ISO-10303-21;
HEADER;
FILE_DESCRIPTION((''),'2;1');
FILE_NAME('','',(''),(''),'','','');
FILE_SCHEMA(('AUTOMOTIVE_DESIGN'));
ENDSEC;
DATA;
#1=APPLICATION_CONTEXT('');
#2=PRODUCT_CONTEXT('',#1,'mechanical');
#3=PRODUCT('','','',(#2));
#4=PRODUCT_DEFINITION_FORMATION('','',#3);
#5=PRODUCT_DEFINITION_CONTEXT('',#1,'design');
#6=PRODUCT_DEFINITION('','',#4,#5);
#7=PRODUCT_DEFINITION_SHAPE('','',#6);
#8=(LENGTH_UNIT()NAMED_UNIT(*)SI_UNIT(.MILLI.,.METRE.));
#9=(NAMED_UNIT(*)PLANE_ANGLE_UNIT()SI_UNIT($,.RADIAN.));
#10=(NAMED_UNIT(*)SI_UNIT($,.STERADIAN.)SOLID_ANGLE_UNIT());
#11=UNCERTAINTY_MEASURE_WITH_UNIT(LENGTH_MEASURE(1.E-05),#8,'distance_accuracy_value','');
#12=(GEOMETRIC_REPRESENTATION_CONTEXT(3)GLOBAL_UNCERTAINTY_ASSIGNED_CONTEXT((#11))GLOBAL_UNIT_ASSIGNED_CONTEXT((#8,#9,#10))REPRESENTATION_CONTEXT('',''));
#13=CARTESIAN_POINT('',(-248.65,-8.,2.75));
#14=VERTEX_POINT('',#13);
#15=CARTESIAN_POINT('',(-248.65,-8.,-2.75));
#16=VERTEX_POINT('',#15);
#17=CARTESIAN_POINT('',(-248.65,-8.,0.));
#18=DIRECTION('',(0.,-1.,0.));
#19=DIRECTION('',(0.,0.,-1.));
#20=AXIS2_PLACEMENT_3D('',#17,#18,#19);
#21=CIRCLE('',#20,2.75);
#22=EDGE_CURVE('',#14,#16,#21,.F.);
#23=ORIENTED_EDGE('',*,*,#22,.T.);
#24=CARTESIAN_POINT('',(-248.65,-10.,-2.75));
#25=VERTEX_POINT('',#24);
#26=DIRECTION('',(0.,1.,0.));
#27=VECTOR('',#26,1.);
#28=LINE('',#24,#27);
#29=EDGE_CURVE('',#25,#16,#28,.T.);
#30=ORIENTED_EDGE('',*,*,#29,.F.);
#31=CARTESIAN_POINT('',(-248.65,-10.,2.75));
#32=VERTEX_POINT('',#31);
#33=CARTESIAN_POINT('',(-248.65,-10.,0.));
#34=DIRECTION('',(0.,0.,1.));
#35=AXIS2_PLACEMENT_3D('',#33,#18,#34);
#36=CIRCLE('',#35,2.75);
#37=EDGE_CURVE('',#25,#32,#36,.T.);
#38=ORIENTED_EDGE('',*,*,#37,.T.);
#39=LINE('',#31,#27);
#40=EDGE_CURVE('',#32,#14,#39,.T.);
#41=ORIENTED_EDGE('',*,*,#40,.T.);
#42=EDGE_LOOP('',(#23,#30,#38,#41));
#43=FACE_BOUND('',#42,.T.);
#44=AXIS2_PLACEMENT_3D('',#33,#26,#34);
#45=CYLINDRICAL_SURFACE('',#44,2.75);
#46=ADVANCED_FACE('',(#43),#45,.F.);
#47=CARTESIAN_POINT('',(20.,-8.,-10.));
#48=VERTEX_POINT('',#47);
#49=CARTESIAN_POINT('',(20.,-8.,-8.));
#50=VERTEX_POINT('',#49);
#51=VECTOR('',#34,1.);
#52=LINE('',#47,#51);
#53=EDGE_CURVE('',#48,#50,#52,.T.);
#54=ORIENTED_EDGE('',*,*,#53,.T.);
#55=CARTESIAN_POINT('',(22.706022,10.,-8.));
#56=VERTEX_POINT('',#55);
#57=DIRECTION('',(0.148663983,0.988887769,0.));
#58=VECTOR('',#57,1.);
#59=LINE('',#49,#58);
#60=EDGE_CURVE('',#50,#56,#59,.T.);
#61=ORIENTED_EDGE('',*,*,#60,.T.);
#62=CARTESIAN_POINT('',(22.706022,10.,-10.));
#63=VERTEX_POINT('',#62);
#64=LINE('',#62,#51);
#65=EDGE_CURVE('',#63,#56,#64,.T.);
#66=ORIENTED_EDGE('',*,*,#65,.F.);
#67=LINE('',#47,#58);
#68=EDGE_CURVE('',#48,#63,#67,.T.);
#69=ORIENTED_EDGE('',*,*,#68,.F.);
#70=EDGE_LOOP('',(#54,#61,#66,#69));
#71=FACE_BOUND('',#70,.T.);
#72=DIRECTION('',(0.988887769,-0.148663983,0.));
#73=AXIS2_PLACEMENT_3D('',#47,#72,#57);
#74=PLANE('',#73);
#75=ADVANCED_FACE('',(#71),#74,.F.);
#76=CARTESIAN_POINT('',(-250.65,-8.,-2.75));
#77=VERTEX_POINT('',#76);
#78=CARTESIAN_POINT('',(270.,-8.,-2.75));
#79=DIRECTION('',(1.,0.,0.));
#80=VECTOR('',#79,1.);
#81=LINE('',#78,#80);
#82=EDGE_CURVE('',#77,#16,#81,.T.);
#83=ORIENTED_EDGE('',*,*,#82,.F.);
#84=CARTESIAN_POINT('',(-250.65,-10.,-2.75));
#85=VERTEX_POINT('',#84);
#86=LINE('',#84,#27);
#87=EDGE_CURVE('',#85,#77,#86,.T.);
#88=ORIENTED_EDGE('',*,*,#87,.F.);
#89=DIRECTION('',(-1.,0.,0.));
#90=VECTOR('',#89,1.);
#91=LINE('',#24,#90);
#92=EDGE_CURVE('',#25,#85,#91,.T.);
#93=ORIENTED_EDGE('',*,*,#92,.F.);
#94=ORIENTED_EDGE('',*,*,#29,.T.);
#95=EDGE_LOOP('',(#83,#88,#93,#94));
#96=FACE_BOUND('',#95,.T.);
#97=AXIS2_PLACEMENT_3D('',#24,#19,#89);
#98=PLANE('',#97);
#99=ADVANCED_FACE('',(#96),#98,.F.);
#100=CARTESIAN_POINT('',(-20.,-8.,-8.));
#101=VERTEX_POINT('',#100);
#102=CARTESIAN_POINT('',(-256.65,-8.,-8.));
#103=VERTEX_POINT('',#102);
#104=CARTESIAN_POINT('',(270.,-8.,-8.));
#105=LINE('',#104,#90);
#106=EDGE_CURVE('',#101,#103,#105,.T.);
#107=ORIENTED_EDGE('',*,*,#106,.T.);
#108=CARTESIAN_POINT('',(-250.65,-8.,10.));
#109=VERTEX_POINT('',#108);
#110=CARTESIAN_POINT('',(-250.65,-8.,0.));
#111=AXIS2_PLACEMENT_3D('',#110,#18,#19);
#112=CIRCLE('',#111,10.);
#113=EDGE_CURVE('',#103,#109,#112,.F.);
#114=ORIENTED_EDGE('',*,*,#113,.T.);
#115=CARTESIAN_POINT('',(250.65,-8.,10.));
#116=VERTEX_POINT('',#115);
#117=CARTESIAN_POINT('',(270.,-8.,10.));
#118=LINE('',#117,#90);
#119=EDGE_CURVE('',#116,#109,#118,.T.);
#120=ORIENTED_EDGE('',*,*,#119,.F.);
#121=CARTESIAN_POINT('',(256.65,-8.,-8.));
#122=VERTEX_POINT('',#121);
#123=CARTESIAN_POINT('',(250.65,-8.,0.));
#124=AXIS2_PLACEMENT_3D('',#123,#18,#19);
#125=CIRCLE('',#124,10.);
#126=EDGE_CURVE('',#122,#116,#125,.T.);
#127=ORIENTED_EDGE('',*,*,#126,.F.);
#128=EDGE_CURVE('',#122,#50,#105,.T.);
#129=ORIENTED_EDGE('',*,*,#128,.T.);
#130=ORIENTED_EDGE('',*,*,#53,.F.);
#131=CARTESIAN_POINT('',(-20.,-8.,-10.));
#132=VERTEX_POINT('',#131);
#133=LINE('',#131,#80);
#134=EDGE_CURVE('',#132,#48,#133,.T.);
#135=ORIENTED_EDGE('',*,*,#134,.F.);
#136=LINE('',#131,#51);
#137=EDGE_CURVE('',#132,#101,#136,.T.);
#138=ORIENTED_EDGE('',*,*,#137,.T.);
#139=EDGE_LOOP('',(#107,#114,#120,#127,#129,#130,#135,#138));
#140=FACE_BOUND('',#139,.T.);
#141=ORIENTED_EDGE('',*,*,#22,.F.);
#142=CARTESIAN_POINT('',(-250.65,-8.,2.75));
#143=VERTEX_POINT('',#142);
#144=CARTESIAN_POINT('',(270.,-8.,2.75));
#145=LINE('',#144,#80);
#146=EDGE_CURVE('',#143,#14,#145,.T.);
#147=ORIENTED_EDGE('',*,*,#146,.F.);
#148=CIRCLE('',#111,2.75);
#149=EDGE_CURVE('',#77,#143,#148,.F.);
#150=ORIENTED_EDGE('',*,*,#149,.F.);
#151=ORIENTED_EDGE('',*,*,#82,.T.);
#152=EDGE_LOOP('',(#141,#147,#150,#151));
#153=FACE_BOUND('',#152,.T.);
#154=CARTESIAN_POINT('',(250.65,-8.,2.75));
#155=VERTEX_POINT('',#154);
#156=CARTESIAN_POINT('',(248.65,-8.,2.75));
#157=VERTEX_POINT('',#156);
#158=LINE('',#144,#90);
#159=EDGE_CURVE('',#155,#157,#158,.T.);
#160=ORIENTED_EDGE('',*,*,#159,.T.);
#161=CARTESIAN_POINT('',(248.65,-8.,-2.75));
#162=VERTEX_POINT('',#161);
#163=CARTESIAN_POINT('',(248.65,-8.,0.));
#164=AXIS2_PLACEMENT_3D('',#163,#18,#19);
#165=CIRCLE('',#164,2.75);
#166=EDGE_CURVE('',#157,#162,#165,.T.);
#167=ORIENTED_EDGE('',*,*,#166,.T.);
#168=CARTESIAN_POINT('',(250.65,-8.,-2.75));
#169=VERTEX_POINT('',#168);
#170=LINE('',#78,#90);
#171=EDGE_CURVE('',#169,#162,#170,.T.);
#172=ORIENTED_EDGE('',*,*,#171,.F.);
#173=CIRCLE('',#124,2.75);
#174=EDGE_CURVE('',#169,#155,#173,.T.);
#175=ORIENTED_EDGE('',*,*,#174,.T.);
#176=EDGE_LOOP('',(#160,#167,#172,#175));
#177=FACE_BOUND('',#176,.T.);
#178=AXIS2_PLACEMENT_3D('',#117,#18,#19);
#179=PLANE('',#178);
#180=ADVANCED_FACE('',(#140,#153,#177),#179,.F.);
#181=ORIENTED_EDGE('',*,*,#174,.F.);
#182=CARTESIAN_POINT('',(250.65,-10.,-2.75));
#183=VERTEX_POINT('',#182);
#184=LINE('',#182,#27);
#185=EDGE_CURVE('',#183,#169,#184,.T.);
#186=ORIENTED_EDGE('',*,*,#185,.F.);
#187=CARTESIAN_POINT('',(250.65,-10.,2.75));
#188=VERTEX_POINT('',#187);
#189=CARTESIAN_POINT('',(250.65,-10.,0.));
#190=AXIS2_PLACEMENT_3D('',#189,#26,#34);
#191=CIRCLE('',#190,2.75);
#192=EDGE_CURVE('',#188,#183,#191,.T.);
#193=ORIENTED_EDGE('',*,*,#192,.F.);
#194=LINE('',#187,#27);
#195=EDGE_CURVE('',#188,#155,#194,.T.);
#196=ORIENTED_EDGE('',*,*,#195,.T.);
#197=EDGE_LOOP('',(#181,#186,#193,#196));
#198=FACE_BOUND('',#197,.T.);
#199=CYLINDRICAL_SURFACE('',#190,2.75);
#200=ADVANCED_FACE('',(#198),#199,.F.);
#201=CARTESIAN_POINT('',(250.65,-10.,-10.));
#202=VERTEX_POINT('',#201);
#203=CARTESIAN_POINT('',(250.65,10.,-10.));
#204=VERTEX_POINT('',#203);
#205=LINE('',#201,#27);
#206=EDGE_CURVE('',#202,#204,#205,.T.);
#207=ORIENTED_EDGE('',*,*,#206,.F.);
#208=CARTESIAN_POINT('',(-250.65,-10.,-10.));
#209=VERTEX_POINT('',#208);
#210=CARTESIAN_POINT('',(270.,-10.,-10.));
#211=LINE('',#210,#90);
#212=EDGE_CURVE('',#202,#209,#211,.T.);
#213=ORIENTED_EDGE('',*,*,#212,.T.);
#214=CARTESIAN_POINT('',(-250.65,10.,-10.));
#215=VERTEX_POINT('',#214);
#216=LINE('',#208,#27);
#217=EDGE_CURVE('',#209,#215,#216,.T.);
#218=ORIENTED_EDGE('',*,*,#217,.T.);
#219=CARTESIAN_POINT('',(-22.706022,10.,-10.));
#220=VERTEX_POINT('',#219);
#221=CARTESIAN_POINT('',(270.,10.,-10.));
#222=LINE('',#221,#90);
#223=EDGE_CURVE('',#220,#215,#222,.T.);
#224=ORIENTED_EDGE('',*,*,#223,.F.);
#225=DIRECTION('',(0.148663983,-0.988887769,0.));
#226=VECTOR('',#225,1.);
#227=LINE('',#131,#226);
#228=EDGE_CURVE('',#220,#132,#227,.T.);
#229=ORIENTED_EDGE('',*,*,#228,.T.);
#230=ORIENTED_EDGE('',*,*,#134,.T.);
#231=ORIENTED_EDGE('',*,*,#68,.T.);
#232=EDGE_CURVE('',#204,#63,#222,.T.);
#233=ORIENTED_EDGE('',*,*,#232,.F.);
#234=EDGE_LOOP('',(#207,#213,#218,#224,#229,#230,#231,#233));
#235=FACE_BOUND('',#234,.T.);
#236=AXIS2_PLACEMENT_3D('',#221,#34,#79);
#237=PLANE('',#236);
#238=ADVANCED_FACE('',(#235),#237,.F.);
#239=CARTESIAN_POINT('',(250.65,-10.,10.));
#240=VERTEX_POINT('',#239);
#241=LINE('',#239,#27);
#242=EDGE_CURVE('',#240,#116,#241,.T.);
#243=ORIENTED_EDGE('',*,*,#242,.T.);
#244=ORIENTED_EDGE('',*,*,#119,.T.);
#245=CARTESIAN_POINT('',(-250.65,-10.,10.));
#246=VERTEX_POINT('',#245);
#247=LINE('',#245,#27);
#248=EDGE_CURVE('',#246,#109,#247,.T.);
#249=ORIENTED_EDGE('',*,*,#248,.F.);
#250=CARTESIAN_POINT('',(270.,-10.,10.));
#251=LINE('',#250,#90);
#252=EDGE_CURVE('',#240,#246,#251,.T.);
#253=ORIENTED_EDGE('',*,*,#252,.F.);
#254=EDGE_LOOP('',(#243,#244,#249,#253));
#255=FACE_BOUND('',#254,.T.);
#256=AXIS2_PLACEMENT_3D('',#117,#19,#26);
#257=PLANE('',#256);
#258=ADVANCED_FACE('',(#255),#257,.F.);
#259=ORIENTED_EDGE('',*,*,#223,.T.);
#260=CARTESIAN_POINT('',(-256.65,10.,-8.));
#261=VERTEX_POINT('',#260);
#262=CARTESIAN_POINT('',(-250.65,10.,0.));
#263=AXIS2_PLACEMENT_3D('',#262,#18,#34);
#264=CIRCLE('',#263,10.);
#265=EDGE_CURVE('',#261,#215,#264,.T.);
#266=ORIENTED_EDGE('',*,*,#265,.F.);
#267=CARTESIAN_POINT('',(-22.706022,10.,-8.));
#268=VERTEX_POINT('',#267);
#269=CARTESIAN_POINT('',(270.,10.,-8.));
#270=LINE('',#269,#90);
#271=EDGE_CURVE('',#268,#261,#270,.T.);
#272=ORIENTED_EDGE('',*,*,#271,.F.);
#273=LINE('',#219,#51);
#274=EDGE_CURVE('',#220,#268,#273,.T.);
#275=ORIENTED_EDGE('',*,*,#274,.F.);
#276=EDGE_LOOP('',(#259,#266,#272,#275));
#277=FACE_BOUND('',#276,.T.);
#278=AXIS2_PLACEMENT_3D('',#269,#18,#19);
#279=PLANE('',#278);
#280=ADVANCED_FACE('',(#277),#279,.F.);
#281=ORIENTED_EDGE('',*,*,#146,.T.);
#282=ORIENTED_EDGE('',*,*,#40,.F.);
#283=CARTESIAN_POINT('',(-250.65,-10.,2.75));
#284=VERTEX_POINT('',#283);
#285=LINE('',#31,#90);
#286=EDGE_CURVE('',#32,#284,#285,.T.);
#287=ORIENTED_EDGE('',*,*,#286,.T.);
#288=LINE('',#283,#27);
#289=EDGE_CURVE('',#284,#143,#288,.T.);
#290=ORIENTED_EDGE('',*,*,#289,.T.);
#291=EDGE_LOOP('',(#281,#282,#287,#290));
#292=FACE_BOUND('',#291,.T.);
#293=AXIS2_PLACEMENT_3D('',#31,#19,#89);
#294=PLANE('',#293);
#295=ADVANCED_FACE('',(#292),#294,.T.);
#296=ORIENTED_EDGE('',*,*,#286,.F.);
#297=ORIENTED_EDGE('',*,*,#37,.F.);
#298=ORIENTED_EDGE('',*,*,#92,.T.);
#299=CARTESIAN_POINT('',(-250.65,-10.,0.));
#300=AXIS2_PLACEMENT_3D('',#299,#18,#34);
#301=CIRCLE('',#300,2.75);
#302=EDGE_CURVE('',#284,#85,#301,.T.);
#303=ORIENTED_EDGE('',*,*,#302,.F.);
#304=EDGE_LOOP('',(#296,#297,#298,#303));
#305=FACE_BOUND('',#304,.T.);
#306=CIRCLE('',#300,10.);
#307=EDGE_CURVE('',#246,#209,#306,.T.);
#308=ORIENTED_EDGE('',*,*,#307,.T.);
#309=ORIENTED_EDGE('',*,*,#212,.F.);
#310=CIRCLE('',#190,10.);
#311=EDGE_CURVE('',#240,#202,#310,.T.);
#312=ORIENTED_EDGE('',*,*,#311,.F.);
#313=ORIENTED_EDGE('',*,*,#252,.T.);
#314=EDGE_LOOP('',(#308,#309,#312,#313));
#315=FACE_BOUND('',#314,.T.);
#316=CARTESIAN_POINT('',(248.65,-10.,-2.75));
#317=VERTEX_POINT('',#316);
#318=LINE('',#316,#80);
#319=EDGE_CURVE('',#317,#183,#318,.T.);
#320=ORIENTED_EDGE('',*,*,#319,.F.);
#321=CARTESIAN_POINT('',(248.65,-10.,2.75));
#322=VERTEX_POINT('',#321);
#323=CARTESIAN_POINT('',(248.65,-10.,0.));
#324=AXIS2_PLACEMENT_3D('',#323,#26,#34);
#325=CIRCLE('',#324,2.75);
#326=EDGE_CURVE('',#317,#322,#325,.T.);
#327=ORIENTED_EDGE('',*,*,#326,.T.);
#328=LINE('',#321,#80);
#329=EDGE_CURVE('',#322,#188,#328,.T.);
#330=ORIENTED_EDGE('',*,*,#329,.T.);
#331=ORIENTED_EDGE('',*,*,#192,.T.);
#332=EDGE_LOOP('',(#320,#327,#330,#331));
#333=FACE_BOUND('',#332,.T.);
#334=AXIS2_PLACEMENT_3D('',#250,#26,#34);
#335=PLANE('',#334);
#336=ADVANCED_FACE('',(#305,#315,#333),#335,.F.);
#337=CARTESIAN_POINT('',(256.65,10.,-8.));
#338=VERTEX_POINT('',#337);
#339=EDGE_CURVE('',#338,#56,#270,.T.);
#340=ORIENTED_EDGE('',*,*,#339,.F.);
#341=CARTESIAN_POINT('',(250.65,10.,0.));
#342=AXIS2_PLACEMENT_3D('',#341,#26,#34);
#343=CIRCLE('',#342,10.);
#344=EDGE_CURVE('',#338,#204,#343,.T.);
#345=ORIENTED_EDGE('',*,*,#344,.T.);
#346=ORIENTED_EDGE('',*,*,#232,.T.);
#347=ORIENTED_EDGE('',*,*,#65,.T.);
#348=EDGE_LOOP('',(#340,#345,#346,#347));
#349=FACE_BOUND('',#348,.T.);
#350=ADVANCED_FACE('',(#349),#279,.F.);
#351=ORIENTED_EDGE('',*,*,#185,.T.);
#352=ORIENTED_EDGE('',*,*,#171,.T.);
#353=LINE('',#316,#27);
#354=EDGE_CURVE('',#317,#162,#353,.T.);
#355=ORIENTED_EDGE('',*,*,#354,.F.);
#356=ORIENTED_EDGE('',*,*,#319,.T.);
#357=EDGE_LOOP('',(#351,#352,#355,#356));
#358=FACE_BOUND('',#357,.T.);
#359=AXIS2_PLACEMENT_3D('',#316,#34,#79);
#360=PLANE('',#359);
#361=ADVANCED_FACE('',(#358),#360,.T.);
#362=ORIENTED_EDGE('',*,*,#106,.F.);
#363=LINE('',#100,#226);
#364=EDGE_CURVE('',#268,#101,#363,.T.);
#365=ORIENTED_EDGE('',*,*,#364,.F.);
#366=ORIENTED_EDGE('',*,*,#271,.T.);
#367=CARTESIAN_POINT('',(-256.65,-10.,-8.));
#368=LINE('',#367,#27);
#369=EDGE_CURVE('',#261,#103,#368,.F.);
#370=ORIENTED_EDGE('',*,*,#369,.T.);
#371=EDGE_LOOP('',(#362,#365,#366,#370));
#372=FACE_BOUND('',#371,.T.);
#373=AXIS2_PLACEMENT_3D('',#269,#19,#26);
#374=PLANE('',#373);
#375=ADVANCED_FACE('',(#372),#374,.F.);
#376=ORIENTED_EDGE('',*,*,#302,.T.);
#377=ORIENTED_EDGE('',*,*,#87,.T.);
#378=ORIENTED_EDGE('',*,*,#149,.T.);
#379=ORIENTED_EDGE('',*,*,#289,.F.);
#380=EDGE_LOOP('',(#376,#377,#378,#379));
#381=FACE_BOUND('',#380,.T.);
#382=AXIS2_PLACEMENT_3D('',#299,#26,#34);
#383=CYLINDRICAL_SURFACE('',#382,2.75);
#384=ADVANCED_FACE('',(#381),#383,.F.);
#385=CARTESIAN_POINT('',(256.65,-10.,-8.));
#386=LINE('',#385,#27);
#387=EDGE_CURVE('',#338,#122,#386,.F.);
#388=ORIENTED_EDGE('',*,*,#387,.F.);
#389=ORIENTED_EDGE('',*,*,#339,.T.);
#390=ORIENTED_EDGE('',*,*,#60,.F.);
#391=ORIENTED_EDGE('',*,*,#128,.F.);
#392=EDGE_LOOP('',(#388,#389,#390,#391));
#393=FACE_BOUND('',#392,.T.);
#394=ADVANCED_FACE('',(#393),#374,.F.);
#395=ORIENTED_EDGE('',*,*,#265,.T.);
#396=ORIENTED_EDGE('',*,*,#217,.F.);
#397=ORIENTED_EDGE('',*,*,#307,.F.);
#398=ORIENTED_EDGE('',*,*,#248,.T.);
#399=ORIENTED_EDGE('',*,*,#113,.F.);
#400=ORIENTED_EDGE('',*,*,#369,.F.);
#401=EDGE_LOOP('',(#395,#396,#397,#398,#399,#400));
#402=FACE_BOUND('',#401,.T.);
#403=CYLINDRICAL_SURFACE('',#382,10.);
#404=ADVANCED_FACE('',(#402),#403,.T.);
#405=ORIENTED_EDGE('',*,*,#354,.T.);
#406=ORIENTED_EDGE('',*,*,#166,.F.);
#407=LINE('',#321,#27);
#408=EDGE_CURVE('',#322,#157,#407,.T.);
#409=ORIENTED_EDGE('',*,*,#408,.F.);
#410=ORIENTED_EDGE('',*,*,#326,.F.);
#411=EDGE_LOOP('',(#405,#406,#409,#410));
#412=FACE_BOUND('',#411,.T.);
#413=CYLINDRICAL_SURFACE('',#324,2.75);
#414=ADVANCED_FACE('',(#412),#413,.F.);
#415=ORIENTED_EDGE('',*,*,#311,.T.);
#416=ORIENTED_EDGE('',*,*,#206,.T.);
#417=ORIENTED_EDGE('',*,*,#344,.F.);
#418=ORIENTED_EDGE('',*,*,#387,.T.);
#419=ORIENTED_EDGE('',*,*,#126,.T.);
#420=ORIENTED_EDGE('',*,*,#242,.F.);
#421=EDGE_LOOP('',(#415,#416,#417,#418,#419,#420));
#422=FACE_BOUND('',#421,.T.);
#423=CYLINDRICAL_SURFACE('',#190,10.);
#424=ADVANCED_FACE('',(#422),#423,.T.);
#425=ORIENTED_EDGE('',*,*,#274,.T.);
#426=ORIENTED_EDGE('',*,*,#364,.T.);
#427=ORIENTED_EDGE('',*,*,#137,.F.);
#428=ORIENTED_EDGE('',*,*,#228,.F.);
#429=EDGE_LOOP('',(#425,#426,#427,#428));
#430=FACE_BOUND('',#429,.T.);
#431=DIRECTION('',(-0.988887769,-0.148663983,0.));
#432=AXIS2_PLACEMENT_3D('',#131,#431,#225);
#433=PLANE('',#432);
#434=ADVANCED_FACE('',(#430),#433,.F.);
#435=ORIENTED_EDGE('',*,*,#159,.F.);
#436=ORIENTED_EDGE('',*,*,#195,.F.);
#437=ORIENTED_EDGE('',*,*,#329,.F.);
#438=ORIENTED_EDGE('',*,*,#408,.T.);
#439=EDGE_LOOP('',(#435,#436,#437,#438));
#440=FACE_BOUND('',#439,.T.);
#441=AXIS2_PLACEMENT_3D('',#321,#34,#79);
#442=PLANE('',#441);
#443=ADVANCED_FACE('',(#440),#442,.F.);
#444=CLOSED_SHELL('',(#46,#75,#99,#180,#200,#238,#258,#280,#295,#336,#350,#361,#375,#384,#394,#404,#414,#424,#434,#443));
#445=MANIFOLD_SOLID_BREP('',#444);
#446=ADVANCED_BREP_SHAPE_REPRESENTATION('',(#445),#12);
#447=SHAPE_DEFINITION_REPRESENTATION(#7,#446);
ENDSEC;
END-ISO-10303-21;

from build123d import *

# Parameters (mm, degrees)
BOSS_EXTRUDE1_DEPTH = 270
CUT_EXTRUDE1_DEPTH  = 271.370116692
CUT_EXTRUDE2_DEPTH  = 262.462086162


with BuildPart() as part:
    # Sketch1 → Boss-Extrude1 (new, symmetric)
    with BuildSketch(Plane(origin=(0, 0, 0), x_dir=(0, 0, -1), z_dir=(1, 0, 0))):
        Polygon((8, 10), (10, 10), (10, -10), (-10, -10), (-10, -8), (8, -8), align=None)
    extrude(amount=BOSS_EXTRUDE1_DEPTH, both=True)

    # Sketch2 → Cut-Extrude1 (cut, symmetric)
    with BuildSketch(Plane(origin=(0, 0, 0), x_dir=(1, 0, 0), z_dir=(0, 1, 0))):
        with BuildLine():
            Line((248.65, 2.75), (250.65, 2.75))
            ThreePointArc((250.65, 2.75), (253.4, 0), (250.65, -2.75))
            Line((250.65, -2.75), (248.65, -2.75))
            ThreePointArc((248.65, -2.75), (245.9, 0), (248.65, 2.75))
        make_face()
        with BuildLine():
            ThreePointArc((250.65, -10), (260.65, 0), (250.65, 10))
            Line((250.65, 10), (270, 10))
            Line((270, 10), (270, -10))
            Line((270, -10), (250.65, -10))
        make_face()
    cut_extrude1 = extrude(amount=CUT_EXTRUDE1_DEPTH, both=True, mode=Mode.SUBTRACT)

    # Mirror1: Cut-Extrude1 across plane
    add(cut_extrude1.mirror(Plane(origin=(0, 0, 0), x_dir=(0, 0, 1), z_dir=(1, 0, 0))), mode=Mode.SUBTRACT)

    # Sketch3 → Cut-Extrude2 (cut, through all)
    with BuildSketch(Plane.XY.offset(-8)):
        Polygon((-20, -8), (20, -8), (22.706021628, 10), (-22.706021628, 10), align=None)
    extrude(amount=-CUT_EXTRUDE2_DEPTH, mode=Mode.SUBTRACT)


solid = part.part
